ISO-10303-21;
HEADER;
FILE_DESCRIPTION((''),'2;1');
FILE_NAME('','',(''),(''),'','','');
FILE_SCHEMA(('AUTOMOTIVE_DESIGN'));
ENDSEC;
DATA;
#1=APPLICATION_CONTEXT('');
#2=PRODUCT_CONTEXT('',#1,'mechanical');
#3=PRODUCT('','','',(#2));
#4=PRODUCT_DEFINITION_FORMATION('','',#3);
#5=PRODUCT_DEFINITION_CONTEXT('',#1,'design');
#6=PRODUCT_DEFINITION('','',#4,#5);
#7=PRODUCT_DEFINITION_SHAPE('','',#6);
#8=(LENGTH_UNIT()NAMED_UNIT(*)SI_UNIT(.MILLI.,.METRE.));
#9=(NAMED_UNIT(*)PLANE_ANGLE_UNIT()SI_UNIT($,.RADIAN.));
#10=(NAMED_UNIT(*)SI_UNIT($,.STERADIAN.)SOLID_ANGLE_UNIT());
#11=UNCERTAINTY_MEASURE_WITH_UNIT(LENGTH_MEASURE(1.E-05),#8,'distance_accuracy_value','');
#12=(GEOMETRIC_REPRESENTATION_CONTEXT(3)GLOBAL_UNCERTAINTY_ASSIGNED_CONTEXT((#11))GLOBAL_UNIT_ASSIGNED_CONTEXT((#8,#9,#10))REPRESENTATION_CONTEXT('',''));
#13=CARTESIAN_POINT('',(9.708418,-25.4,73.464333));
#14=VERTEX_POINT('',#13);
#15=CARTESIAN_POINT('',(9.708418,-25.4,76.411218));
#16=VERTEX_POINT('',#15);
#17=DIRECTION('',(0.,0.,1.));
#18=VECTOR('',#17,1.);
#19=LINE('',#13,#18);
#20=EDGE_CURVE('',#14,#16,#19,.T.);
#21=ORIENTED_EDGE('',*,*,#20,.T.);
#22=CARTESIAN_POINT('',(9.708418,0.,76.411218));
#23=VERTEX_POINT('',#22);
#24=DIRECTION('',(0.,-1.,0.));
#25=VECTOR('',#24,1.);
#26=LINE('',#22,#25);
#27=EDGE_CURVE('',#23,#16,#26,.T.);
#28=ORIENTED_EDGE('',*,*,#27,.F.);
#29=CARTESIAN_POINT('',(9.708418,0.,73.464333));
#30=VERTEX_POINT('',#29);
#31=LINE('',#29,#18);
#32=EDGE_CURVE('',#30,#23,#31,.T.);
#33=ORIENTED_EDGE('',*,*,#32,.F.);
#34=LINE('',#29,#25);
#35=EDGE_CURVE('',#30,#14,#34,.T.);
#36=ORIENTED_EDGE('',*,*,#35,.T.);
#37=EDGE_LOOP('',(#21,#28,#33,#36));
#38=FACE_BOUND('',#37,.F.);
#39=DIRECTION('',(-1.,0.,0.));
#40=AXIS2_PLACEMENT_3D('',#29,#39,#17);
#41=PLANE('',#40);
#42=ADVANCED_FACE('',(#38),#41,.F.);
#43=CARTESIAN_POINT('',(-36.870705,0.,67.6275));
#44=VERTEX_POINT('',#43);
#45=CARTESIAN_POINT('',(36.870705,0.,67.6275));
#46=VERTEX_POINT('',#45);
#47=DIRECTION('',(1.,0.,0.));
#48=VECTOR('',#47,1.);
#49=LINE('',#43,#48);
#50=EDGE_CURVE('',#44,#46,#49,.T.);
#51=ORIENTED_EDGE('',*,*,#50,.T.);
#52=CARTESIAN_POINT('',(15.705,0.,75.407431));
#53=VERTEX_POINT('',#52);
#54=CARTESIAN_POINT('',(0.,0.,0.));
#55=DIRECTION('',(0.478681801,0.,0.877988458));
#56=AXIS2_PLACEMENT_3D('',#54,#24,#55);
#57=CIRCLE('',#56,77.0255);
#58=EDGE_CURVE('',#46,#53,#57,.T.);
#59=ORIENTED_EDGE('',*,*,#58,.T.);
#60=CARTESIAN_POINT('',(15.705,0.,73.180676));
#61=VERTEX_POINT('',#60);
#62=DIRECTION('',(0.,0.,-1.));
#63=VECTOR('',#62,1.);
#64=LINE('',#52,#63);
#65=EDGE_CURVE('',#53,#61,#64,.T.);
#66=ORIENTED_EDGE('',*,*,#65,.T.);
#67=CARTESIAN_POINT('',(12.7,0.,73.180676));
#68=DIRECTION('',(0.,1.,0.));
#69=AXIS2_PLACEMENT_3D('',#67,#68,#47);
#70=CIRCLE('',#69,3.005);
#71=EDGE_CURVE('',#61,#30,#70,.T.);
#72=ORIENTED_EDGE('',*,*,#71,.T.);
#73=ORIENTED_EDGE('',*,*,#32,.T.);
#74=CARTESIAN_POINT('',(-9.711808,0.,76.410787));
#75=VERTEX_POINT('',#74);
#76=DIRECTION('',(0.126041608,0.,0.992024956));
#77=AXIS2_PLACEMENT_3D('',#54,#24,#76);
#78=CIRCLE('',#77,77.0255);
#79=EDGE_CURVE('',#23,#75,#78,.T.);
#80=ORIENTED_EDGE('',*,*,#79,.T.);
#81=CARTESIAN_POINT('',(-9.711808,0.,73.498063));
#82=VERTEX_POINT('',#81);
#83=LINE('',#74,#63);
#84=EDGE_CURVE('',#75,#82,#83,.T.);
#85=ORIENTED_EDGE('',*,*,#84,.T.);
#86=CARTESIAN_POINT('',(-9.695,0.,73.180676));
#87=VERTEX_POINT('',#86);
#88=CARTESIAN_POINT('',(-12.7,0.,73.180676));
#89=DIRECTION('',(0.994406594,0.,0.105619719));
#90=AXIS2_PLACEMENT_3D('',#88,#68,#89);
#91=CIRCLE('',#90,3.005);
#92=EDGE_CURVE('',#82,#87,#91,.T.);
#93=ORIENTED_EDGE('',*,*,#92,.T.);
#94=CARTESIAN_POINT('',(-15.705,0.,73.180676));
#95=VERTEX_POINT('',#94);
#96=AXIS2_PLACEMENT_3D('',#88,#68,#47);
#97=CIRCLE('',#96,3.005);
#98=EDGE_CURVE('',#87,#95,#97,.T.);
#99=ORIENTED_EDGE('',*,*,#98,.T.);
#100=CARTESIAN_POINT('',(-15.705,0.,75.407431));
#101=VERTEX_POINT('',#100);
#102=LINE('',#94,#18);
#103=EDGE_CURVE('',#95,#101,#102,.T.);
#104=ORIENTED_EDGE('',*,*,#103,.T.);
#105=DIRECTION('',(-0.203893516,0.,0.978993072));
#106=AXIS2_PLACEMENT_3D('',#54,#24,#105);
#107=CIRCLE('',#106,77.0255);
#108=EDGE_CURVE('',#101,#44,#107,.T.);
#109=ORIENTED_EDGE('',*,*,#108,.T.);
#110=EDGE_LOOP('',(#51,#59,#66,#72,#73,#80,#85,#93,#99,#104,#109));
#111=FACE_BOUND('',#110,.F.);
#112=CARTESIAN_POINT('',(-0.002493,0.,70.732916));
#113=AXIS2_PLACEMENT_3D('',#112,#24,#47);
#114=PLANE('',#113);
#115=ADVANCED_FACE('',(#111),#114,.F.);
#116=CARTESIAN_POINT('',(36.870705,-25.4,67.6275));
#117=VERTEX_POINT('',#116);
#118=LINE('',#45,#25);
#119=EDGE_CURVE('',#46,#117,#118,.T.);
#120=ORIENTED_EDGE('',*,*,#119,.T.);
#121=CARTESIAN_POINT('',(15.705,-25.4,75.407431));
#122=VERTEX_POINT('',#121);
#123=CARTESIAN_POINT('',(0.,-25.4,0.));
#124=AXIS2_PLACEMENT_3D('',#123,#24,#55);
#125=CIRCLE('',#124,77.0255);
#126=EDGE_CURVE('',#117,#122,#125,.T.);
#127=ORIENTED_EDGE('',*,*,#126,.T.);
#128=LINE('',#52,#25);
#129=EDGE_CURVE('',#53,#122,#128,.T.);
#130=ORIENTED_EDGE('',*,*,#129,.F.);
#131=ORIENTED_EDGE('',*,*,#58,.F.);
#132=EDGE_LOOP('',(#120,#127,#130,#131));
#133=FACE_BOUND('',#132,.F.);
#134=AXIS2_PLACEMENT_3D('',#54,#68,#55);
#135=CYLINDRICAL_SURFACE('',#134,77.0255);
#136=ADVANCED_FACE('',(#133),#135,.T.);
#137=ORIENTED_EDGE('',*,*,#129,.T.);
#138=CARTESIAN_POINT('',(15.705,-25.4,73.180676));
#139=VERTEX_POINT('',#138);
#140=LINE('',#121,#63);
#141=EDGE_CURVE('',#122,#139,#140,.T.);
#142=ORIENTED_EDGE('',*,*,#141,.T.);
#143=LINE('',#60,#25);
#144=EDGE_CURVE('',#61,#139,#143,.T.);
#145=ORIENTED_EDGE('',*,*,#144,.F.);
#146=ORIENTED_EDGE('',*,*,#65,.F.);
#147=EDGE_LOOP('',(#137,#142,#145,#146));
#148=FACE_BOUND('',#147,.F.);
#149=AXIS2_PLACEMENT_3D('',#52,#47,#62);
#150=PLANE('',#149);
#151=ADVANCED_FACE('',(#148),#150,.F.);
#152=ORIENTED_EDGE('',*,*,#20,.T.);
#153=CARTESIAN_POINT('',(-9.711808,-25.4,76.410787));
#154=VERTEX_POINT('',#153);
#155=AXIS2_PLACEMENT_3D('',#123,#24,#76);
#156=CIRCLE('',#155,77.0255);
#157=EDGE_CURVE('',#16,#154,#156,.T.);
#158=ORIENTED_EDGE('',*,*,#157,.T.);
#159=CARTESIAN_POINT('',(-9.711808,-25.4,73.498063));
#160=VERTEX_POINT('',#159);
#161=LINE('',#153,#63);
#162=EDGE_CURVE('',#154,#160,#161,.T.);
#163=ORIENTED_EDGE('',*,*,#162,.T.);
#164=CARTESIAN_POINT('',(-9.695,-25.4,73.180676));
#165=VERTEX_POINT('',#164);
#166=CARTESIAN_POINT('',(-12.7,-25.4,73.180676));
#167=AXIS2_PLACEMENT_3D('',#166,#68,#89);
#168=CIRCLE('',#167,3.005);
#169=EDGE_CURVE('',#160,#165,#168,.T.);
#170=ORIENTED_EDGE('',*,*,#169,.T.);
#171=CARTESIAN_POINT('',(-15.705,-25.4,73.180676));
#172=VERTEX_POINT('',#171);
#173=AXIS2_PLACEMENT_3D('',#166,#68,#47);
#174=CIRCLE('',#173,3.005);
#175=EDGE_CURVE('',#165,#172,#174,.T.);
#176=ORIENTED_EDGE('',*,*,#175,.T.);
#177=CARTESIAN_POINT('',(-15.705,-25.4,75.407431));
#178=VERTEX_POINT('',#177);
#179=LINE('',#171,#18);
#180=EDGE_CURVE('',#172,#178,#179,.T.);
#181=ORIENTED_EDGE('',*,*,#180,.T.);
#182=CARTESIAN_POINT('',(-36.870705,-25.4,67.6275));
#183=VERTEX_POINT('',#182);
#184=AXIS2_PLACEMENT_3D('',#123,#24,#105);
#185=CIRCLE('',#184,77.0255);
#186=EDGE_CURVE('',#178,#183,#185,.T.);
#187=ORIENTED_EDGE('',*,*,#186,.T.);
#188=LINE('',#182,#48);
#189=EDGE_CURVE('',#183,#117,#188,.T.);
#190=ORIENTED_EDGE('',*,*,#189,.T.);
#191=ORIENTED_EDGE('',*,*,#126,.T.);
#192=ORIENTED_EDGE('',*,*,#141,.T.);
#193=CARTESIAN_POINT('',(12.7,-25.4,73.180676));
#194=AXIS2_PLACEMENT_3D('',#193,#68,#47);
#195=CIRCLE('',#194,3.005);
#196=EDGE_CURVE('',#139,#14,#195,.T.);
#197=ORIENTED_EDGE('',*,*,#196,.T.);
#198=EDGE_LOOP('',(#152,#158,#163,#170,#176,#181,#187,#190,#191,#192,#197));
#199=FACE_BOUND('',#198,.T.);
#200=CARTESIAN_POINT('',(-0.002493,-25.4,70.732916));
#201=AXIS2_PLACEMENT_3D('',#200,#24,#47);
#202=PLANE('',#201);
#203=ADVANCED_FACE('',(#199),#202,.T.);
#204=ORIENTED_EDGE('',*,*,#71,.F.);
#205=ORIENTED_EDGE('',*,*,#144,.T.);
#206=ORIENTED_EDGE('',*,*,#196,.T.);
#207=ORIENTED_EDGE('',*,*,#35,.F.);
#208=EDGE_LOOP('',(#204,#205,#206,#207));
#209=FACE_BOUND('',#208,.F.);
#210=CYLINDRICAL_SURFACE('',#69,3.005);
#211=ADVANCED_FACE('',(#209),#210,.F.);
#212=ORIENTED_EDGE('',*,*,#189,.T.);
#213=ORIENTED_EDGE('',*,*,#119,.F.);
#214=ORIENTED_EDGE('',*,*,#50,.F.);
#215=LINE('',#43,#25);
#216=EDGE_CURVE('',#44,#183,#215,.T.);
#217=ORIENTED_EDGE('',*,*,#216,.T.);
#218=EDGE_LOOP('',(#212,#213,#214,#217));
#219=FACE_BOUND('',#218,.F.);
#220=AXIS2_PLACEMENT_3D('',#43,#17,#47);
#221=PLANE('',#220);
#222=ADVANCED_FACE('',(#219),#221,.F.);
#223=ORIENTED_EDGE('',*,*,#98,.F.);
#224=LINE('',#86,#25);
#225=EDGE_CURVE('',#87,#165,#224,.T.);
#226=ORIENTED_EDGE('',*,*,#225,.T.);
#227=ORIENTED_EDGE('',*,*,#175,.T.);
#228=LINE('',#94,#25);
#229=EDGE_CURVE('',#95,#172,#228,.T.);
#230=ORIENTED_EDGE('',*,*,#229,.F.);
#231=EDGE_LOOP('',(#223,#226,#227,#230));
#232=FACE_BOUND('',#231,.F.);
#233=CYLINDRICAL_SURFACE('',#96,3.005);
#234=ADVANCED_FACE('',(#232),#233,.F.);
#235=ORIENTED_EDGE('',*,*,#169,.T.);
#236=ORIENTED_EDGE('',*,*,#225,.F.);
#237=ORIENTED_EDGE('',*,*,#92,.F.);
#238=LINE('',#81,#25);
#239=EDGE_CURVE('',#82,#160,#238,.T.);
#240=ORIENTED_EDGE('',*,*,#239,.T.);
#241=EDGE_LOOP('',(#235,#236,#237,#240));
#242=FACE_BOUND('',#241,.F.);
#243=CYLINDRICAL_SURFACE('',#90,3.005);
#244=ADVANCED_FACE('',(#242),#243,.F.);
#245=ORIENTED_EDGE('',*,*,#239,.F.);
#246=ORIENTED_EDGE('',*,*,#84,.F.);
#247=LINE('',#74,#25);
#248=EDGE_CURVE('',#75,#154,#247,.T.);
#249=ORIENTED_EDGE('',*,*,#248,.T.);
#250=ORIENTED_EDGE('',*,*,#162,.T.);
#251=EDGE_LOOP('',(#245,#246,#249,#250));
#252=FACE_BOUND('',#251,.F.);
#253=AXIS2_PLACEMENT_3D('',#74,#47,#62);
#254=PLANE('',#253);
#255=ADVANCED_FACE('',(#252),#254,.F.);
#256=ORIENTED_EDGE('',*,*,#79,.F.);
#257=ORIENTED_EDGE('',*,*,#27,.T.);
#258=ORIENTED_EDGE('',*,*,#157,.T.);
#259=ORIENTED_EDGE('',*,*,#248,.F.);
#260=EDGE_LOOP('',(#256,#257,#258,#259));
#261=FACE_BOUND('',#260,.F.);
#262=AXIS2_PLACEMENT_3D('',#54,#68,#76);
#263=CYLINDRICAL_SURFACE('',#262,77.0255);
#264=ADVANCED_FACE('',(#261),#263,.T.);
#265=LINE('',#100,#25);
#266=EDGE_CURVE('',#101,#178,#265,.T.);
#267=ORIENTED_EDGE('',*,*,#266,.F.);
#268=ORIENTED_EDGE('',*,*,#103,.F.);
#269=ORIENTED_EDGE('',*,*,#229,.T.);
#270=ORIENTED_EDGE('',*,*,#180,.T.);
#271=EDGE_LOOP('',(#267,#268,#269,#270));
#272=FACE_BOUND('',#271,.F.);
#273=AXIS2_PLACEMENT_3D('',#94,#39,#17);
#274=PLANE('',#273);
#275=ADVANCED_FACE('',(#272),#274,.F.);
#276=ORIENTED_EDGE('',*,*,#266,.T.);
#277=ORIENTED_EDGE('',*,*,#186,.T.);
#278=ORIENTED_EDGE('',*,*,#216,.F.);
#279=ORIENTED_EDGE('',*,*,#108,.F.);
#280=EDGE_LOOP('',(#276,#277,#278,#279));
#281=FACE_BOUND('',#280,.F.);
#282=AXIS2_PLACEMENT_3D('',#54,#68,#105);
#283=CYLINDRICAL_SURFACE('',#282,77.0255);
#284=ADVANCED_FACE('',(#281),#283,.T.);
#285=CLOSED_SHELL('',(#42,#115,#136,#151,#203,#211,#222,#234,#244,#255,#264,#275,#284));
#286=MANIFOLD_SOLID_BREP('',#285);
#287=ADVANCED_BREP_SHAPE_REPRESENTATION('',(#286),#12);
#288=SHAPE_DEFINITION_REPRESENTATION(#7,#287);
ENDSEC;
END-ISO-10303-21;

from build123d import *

# Parameters (mm, degrees)
F1_DEPTH = 25.4


with BuildPart() as f1:
    # F0 (on Front) → F1 (new body)
    with BuildSketch(Plane.XZ):
        with BuildLine():
            Line((-36.8707050923, 67.6275), (36.8707050923, 67.6275))
            ThreePointArc((36.8707050923, 67.6275), (26.5741043582, 72.2962283097), (15.705, 75.4074308358))
            Line((15.705, 75.4074308358), (15.705, 73.1806760713))
            ThreePointArc((15.705, 73.1806760713), (12.5580129473, 70.1790324087), (9.7084178523, 73.4643330011))
            Line((9.7084178523, 73.4643330011), (9.7084178523, 76.4112182409))
            ThreePointArc((9.7084178523, 76.4112182409), (-0.0017087982, 77.025499981), (-9.7118081837, 76.4107874063))
            Line((-9.7118081837, 76.4107874063), (-9.7118081837, 73.498063325))
            ThreePointArc((-9.7118081837, 73.498063325), (-9.699204988, 73.3395920741), (-9.695, 73.1806760713))
            ThreePointArc((-9.695, 73.1806760713), (-12.7, 70.1756760713), (-15.705, 73.1806760713))
            Line((-15.705, 73.1806760713), (-15.705, 75.4074308358))
            ThreePointArc((-15.705, 75.4074308358), (-26.5741043582, 72.2962283097), (-36.8707050923, 67.6275))
        make_face()
    extrude(amount=F1_DEPTH)


solid = f1.part
